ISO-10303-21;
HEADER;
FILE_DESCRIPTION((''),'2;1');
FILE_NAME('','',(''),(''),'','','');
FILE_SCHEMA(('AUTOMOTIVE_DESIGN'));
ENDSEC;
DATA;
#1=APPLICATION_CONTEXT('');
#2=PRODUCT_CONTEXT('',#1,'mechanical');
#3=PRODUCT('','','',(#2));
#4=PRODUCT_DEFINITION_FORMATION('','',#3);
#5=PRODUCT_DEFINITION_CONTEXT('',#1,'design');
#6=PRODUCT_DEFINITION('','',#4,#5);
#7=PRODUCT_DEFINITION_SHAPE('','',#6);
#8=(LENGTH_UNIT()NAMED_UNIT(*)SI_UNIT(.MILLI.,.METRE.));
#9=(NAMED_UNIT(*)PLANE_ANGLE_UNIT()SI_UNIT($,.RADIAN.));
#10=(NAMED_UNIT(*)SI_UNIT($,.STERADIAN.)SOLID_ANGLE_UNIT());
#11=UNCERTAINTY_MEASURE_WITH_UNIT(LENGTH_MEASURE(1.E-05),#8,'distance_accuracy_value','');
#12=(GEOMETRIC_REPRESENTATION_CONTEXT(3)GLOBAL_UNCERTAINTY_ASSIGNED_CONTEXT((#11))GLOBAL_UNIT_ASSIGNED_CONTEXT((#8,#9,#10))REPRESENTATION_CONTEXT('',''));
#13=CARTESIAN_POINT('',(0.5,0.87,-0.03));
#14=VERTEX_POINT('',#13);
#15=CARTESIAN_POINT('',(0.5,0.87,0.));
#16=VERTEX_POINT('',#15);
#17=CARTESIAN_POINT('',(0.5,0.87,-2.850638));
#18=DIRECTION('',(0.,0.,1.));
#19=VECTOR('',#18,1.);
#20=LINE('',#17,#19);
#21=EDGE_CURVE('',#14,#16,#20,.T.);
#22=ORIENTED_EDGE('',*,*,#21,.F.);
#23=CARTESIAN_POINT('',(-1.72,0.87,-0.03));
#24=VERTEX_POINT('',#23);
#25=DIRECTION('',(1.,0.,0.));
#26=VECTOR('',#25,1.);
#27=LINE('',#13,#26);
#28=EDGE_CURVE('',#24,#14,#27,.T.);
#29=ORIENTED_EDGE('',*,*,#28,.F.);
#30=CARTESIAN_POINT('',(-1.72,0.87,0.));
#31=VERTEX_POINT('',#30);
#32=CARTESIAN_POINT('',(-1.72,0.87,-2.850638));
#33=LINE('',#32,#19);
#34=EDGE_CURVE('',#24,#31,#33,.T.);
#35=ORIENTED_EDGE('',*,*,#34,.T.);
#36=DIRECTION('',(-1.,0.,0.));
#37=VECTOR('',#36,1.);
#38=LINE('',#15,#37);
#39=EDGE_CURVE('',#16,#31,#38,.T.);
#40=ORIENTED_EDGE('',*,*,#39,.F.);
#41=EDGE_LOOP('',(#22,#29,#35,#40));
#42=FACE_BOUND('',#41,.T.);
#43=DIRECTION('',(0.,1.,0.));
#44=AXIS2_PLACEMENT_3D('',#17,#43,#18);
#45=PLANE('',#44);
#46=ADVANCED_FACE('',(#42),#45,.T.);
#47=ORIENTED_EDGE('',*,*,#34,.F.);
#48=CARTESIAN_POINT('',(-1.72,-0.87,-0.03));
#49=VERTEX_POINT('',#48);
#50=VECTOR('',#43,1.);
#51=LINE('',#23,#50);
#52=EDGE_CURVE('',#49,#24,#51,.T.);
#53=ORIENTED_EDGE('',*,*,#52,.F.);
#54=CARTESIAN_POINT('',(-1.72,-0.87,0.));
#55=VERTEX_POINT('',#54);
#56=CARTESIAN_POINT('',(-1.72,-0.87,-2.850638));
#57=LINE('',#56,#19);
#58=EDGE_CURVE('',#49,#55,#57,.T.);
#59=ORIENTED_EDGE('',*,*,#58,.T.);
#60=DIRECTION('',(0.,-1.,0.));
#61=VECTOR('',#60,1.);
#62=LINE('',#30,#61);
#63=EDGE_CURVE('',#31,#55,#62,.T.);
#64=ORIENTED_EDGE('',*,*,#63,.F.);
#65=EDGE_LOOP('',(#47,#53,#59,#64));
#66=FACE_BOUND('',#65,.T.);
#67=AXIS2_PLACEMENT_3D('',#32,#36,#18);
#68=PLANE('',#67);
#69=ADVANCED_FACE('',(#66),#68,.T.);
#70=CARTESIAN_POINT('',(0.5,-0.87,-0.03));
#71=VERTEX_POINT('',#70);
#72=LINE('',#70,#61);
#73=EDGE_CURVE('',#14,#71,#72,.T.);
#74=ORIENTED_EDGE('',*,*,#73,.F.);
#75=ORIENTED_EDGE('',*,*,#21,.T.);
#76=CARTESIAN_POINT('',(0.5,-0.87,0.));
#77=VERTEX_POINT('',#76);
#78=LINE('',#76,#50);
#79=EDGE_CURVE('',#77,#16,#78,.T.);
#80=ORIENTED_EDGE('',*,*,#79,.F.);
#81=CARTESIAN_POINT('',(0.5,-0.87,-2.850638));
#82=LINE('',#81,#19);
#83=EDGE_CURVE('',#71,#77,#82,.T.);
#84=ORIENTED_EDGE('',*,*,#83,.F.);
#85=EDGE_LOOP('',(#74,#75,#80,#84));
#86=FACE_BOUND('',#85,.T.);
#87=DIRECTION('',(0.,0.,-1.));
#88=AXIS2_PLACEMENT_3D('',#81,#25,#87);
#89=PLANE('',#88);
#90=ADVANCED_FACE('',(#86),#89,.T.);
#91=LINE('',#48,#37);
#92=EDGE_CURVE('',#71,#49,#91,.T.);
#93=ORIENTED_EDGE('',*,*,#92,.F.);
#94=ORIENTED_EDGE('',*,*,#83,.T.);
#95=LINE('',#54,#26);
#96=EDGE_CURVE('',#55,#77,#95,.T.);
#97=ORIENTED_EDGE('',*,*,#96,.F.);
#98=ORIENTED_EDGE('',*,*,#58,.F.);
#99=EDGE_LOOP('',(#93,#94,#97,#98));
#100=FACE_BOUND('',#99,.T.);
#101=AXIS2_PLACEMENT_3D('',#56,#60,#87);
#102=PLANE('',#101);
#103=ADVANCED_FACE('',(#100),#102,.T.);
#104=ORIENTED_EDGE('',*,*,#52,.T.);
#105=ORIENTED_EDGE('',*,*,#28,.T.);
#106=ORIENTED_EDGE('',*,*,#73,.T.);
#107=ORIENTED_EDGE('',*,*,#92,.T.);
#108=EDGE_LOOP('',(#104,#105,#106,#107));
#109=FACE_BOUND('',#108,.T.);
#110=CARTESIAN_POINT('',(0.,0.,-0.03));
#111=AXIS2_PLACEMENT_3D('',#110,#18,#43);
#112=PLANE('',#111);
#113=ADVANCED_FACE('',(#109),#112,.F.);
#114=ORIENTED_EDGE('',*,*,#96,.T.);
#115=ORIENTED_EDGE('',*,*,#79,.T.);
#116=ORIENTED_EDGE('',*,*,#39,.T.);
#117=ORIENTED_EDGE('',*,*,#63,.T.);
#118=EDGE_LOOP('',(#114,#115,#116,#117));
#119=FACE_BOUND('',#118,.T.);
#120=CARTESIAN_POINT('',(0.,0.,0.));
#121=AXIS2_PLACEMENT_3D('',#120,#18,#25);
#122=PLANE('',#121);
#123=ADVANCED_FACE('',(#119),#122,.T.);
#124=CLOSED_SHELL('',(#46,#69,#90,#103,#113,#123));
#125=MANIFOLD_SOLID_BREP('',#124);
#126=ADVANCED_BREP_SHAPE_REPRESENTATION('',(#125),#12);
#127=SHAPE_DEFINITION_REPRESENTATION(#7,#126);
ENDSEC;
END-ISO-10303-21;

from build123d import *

# Parameters (mm, degrees)
SKETCH1_W           = 2.22
SKETCH1_H           = 1.74
BOSS_EXTRUDE1_DEPTH = 0.03


with BuildPart() as part:
    # Sketch1 → Boss-Extrude1 (new body)
    with BuildSketch(Plane.XY):
        with Locations((-0.61, 0)):
            Rectangle(SKETCH1_W, SKETCH1_H)
    extrude(amount=-BOSS_EXTRUDE1_DEPTH)


solid = part.part
